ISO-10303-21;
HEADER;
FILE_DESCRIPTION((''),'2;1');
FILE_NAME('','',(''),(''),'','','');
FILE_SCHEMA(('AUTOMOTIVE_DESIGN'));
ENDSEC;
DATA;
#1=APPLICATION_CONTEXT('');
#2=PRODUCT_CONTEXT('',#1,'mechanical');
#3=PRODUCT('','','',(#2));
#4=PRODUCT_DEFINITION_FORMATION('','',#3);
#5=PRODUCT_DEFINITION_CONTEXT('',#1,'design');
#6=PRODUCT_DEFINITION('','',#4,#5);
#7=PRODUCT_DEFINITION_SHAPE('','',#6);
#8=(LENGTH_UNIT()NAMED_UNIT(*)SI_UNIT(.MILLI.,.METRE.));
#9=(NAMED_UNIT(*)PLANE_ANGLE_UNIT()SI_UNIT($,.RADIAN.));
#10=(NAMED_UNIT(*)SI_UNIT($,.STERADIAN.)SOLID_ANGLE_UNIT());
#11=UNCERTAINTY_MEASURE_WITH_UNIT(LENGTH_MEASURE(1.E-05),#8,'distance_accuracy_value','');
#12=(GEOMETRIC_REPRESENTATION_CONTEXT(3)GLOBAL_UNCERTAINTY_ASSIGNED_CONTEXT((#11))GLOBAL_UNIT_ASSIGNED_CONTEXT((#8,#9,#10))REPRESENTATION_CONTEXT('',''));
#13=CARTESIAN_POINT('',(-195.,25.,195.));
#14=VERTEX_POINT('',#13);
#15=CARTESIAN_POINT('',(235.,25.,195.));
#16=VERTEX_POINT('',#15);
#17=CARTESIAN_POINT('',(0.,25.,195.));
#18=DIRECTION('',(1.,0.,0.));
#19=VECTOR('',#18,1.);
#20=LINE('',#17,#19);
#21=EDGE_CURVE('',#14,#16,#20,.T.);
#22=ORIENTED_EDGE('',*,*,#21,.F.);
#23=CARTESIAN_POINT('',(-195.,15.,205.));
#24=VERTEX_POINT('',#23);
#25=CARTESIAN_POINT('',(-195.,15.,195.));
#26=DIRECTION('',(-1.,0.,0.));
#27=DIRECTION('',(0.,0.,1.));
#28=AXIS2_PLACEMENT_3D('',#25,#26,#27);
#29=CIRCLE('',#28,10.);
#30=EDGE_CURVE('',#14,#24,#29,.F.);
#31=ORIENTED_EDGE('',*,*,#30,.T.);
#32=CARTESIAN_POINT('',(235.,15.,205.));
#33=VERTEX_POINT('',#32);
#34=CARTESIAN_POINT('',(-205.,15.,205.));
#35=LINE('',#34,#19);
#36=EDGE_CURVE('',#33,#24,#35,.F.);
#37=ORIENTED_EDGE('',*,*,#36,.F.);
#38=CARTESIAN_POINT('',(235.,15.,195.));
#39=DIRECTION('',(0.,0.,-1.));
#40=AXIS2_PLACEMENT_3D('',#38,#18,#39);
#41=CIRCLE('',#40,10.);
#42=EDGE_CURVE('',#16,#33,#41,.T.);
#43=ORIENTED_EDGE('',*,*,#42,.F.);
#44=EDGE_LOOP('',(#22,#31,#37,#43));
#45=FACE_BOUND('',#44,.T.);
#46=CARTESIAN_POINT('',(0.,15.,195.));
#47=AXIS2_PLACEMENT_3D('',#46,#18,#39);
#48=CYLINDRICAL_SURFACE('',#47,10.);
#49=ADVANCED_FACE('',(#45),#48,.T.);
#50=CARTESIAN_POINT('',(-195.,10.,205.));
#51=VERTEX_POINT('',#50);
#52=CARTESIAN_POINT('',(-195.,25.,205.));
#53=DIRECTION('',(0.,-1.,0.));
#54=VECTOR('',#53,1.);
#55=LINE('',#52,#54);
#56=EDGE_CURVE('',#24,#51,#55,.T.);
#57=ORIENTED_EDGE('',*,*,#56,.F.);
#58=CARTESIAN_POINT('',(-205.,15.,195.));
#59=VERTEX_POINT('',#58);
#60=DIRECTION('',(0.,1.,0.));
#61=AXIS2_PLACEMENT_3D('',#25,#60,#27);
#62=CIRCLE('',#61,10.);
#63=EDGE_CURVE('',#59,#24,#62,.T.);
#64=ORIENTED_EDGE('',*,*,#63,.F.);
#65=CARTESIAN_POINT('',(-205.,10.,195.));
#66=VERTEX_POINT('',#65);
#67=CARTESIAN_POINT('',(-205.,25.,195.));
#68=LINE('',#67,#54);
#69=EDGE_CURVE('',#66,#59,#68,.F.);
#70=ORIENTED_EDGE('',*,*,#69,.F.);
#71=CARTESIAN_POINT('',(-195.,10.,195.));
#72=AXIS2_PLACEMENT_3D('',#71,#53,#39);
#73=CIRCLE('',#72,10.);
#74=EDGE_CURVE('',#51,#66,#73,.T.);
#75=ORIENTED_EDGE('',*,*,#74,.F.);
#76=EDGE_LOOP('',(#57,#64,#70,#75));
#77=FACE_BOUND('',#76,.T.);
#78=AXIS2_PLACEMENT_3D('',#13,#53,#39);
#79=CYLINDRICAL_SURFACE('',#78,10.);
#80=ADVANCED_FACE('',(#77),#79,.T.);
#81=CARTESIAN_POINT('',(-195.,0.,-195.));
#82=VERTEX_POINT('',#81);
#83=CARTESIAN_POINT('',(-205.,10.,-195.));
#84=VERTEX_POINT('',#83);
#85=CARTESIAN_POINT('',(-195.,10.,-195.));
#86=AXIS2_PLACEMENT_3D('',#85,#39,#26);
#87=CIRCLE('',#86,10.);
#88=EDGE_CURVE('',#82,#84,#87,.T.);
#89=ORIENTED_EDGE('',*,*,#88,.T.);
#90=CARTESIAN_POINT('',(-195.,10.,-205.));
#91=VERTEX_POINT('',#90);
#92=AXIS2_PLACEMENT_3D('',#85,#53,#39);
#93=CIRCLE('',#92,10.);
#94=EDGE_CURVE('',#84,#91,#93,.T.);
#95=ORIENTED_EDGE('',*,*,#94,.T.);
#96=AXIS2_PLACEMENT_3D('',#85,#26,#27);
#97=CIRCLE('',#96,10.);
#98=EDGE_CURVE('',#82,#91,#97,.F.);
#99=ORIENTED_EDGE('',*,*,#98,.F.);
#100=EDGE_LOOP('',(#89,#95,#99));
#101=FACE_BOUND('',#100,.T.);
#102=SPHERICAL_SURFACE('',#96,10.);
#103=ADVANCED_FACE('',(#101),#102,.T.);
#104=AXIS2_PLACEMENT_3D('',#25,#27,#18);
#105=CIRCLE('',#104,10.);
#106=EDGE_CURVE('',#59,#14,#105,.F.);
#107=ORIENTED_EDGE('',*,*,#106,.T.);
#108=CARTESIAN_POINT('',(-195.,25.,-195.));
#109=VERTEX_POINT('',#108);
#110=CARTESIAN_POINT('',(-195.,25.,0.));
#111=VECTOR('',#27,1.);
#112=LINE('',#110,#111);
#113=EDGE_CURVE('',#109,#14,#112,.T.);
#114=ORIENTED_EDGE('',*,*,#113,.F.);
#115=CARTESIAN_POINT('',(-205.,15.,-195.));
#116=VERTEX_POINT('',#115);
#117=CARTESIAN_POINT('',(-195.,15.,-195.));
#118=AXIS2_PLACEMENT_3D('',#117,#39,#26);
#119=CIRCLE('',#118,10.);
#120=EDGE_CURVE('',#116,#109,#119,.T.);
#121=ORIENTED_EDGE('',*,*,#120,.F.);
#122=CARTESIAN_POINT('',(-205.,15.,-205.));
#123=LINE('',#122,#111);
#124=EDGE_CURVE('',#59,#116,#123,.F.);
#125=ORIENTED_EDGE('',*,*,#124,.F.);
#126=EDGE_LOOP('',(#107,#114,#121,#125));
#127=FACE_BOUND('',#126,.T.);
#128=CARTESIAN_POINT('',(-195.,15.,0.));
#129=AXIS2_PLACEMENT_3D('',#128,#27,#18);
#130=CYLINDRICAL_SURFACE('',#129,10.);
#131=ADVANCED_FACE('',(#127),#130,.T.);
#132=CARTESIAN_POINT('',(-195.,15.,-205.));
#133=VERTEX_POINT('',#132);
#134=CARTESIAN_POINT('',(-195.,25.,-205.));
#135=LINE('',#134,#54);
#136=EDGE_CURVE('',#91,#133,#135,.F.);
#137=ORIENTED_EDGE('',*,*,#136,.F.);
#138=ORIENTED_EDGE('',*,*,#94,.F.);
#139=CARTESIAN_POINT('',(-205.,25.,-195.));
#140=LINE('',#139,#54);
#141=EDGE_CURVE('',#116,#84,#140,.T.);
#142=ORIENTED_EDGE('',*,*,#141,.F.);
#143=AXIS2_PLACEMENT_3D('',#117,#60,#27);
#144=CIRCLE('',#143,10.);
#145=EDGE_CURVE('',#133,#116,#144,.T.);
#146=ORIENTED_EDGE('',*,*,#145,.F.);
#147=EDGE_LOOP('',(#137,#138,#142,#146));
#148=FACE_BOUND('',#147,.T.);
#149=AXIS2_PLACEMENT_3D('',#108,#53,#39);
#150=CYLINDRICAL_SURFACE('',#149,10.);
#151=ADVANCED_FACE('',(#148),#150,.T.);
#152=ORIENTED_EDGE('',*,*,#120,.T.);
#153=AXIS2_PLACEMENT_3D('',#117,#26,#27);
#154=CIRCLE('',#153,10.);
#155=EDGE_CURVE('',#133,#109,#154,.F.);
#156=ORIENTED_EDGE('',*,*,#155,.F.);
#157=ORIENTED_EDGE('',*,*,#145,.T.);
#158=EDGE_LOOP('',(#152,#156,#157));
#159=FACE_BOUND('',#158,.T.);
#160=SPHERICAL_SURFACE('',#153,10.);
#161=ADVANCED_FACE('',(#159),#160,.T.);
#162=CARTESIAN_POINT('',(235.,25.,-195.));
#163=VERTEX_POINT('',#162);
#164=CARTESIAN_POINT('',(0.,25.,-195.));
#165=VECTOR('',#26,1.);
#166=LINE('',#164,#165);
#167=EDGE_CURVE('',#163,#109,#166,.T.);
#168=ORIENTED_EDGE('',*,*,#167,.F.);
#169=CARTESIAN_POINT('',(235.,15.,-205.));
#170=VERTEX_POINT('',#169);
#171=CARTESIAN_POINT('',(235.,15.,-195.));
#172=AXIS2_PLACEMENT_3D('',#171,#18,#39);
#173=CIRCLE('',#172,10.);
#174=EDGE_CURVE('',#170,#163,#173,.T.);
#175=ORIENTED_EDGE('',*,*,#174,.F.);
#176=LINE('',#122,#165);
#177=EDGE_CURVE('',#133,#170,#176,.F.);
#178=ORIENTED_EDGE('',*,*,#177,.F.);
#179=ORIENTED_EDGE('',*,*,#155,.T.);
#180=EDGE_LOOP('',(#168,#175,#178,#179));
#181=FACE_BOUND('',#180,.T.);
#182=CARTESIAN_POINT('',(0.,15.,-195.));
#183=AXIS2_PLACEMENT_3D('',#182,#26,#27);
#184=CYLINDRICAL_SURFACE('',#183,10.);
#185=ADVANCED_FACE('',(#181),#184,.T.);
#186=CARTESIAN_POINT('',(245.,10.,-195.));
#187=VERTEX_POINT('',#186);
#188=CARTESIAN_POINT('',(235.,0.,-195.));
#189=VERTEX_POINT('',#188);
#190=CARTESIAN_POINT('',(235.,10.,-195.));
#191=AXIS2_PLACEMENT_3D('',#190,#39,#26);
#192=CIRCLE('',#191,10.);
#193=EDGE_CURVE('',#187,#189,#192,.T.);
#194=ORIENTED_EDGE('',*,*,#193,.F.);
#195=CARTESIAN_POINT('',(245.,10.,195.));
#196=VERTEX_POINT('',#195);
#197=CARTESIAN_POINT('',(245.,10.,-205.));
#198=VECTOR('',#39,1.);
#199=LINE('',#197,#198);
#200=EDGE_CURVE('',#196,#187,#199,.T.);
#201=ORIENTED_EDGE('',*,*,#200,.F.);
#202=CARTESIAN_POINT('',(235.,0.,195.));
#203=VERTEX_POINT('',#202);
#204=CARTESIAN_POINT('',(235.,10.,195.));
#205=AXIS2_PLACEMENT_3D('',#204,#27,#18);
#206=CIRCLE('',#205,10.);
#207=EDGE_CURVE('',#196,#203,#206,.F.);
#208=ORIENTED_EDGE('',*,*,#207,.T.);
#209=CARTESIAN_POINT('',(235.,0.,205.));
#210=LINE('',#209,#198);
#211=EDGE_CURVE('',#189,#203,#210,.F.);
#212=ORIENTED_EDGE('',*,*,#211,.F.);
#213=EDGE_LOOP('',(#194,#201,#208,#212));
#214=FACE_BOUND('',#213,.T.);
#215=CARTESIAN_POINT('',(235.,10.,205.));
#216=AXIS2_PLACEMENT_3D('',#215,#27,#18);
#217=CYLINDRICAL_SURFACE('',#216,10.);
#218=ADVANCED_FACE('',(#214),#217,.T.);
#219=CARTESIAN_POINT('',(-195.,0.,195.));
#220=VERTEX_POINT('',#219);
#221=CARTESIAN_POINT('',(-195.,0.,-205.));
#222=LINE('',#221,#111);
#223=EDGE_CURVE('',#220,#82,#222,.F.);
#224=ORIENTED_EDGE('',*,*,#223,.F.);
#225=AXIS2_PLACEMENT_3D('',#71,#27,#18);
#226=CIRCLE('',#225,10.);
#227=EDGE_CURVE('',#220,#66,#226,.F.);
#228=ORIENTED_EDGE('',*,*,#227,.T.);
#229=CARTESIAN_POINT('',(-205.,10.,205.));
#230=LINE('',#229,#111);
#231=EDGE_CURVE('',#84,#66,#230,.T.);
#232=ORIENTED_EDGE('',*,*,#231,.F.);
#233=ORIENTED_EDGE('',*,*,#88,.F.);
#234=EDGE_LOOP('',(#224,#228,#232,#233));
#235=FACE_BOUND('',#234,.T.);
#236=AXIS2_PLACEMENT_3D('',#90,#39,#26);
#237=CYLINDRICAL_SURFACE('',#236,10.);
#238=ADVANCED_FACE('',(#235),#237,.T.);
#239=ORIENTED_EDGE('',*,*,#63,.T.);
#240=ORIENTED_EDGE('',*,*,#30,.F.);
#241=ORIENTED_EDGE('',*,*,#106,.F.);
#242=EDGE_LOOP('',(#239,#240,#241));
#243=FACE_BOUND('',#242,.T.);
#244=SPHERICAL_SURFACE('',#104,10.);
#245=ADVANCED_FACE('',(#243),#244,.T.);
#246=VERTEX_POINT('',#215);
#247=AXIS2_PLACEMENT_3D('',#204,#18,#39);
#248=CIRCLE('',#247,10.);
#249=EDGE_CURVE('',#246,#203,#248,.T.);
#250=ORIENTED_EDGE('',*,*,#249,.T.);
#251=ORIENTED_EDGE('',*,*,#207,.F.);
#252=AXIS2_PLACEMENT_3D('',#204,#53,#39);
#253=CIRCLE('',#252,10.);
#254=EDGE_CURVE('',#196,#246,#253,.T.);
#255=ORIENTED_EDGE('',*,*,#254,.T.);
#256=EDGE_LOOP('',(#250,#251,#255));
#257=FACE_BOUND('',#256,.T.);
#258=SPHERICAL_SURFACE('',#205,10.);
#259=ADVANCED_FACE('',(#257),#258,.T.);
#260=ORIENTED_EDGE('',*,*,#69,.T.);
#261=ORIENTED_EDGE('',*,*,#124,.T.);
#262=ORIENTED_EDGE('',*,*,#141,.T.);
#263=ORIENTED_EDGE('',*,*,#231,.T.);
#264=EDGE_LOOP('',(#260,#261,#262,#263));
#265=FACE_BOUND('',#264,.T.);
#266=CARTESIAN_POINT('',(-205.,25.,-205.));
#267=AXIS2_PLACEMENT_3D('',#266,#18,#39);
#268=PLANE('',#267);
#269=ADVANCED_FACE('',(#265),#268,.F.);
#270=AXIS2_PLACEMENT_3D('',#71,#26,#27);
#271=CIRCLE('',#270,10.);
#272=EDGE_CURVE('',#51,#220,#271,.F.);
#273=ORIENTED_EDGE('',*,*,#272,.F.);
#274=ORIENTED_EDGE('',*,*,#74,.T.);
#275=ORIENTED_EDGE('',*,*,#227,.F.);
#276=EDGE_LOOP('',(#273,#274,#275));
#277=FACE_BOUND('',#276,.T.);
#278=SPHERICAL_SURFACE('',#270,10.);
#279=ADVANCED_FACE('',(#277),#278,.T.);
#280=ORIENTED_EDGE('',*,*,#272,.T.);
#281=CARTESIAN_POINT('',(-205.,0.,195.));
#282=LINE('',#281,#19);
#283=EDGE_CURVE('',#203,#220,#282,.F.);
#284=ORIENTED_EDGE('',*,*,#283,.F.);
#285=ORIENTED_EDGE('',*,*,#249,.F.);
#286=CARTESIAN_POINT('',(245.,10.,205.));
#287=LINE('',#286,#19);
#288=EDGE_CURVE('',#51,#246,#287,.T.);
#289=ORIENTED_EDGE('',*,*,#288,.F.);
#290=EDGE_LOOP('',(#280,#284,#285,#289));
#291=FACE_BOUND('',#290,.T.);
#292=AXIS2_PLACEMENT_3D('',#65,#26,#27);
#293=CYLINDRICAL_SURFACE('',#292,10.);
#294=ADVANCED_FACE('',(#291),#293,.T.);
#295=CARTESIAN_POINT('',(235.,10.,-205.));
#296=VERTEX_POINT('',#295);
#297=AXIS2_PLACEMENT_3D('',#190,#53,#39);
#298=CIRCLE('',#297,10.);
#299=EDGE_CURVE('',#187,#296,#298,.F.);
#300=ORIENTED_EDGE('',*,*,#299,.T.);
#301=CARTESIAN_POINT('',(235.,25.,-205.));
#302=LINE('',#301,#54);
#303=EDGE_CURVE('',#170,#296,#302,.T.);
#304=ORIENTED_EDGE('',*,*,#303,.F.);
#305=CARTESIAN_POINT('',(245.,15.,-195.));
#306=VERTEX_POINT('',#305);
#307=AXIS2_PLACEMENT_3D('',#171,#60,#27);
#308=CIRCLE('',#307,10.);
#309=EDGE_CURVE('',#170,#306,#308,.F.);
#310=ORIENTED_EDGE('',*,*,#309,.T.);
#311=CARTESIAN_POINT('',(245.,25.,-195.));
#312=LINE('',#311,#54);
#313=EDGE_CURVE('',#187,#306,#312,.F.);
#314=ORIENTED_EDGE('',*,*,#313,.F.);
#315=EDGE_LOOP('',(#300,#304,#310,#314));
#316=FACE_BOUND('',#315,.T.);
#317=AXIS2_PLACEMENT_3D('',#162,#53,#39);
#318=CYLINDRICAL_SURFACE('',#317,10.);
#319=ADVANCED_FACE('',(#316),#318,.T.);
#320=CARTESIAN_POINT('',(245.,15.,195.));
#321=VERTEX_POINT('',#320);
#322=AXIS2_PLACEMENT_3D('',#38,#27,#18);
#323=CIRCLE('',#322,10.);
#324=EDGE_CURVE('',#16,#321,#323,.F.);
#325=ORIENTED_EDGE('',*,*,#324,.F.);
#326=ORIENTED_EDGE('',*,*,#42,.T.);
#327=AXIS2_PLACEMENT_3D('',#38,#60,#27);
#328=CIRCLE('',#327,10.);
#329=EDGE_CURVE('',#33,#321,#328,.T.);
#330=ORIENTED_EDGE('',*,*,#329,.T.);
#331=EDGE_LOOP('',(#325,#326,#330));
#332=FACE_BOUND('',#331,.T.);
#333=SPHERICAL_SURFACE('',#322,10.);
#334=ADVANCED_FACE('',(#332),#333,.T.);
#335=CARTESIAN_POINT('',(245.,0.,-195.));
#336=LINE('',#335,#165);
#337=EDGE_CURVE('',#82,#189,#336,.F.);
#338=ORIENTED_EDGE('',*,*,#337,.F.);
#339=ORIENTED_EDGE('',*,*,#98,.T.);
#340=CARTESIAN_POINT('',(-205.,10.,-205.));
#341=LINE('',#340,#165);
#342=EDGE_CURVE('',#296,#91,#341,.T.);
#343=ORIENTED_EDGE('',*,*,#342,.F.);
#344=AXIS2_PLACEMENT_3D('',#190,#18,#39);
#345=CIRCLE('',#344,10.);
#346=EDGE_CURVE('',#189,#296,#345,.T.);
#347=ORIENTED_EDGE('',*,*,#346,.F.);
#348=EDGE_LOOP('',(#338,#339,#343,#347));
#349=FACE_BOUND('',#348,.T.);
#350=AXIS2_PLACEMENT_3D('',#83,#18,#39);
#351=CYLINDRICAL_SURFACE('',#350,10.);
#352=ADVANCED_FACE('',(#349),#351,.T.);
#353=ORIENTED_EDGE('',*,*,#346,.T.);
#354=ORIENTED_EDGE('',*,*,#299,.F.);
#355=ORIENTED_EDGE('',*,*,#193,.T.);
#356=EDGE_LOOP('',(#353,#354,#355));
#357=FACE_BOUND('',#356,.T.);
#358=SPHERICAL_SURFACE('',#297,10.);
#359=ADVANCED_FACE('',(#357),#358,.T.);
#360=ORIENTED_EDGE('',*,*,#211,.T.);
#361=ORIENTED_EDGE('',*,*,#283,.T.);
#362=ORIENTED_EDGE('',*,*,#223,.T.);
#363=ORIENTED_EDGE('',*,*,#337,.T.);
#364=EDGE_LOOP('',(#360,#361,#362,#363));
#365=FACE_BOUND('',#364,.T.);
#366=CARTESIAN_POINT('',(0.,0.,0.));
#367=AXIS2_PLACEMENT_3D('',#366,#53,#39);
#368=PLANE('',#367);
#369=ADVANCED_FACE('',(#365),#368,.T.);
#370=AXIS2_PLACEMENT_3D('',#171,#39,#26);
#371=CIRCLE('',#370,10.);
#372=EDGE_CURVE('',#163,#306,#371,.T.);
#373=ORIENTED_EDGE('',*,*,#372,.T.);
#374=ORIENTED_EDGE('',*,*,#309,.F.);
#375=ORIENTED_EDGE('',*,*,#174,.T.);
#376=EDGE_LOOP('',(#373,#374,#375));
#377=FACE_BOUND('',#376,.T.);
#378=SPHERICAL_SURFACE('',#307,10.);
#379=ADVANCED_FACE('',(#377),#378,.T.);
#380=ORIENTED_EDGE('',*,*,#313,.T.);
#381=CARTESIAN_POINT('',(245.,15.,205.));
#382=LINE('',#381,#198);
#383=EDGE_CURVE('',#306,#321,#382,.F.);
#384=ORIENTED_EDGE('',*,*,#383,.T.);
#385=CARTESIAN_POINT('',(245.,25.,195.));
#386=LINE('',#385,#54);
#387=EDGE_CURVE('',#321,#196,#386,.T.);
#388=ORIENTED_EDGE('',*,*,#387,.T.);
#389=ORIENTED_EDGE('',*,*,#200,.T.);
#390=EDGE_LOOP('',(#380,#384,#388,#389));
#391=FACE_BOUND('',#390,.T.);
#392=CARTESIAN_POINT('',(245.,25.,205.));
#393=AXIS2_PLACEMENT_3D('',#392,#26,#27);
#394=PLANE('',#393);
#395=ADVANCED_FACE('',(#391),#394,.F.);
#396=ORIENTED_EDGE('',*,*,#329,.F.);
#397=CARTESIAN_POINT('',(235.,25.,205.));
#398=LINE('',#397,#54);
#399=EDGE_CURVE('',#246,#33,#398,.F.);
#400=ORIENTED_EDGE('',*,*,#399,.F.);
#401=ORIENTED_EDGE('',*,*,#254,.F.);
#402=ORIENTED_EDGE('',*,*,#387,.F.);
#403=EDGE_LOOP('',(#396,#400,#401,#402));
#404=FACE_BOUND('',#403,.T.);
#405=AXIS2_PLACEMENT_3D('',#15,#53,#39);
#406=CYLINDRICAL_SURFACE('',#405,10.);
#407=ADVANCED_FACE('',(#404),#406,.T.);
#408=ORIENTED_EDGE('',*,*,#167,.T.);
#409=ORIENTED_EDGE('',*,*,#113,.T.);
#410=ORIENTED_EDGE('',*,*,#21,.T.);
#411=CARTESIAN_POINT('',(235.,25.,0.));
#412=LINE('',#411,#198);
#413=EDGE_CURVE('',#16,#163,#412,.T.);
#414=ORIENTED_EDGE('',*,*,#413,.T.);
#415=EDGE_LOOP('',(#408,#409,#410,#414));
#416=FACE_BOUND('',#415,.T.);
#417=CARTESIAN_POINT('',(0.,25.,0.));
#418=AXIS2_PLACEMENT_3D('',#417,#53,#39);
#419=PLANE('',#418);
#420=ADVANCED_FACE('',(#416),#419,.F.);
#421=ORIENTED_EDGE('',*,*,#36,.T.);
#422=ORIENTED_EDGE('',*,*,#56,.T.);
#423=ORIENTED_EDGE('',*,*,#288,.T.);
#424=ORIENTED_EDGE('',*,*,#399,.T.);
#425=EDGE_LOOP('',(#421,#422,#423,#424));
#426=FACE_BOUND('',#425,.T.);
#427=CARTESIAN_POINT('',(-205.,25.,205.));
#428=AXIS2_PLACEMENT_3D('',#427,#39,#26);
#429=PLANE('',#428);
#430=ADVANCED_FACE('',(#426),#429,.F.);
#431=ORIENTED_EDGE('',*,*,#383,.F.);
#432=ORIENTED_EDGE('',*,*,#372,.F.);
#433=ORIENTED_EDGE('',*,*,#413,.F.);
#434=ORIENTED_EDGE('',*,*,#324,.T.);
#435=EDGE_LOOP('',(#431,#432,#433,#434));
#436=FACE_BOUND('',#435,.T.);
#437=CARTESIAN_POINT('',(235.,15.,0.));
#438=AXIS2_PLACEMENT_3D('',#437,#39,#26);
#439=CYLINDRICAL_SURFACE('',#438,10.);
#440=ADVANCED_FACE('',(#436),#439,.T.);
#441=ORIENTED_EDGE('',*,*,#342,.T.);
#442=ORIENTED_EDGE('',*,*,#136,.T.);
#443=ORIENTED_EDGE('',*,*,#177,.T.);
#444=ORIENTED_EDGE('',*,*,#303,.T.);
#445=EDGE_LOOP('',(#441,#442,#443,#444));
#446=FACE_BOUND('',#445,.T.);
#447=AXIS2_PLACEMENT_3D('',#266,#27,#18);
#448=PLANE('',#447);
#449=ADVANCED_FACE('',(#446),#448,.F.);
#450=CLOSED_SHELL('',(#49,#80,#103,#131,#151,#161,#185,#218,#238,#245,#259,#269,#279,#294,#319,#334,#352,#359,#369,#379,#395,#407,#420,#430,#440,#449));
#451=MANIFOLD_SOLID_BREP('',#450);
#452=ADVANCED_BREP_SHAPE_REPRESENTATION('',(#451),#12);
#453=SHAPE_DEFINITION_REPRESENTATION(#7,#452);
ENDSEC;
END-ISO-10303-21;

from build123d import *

# Parameters (mm, degrees)
SKETCH1_W           = 450
SKETCH1_H           = 410
BOSS_EXTRUDE1_DEPTH = 25
FILLET1_R           = 10


with BuildPart() as part:
    # Sketch1 → Boss-Extrude1 (new body)
    with BuildSketch(Plane(origin=(0, 0, 0), x_dir=(1, 0, 0), z_dir=(0, 1, 0))):
        with Locations((20, 0)):
            Rectangle(SKETCH1_W, SKETCH1_H)
    extrude(amount=BOSS_EXTRUDE1_DEPTH)

    # Fillet1
    fillet1_edges = [part.edges().sort_by_distance(p)[0] for p in [
        (-205, 25, 0),
        (20, 25, 205),
        (245, 25, 0),
        (20, 0, 205),
        (-205, 0, 0),
        (20, 0, -205),
        (245, 0, 0),
        (245, 12.5, 205),
        (-205, 12.5, 205),
        (-205, 12.5, -205),
        (245, 12.5, -205),
        (20, 25, -205),
    ]]
    fillet(fillet1_edges, radius=FILLET1_R)


solid = part.part
